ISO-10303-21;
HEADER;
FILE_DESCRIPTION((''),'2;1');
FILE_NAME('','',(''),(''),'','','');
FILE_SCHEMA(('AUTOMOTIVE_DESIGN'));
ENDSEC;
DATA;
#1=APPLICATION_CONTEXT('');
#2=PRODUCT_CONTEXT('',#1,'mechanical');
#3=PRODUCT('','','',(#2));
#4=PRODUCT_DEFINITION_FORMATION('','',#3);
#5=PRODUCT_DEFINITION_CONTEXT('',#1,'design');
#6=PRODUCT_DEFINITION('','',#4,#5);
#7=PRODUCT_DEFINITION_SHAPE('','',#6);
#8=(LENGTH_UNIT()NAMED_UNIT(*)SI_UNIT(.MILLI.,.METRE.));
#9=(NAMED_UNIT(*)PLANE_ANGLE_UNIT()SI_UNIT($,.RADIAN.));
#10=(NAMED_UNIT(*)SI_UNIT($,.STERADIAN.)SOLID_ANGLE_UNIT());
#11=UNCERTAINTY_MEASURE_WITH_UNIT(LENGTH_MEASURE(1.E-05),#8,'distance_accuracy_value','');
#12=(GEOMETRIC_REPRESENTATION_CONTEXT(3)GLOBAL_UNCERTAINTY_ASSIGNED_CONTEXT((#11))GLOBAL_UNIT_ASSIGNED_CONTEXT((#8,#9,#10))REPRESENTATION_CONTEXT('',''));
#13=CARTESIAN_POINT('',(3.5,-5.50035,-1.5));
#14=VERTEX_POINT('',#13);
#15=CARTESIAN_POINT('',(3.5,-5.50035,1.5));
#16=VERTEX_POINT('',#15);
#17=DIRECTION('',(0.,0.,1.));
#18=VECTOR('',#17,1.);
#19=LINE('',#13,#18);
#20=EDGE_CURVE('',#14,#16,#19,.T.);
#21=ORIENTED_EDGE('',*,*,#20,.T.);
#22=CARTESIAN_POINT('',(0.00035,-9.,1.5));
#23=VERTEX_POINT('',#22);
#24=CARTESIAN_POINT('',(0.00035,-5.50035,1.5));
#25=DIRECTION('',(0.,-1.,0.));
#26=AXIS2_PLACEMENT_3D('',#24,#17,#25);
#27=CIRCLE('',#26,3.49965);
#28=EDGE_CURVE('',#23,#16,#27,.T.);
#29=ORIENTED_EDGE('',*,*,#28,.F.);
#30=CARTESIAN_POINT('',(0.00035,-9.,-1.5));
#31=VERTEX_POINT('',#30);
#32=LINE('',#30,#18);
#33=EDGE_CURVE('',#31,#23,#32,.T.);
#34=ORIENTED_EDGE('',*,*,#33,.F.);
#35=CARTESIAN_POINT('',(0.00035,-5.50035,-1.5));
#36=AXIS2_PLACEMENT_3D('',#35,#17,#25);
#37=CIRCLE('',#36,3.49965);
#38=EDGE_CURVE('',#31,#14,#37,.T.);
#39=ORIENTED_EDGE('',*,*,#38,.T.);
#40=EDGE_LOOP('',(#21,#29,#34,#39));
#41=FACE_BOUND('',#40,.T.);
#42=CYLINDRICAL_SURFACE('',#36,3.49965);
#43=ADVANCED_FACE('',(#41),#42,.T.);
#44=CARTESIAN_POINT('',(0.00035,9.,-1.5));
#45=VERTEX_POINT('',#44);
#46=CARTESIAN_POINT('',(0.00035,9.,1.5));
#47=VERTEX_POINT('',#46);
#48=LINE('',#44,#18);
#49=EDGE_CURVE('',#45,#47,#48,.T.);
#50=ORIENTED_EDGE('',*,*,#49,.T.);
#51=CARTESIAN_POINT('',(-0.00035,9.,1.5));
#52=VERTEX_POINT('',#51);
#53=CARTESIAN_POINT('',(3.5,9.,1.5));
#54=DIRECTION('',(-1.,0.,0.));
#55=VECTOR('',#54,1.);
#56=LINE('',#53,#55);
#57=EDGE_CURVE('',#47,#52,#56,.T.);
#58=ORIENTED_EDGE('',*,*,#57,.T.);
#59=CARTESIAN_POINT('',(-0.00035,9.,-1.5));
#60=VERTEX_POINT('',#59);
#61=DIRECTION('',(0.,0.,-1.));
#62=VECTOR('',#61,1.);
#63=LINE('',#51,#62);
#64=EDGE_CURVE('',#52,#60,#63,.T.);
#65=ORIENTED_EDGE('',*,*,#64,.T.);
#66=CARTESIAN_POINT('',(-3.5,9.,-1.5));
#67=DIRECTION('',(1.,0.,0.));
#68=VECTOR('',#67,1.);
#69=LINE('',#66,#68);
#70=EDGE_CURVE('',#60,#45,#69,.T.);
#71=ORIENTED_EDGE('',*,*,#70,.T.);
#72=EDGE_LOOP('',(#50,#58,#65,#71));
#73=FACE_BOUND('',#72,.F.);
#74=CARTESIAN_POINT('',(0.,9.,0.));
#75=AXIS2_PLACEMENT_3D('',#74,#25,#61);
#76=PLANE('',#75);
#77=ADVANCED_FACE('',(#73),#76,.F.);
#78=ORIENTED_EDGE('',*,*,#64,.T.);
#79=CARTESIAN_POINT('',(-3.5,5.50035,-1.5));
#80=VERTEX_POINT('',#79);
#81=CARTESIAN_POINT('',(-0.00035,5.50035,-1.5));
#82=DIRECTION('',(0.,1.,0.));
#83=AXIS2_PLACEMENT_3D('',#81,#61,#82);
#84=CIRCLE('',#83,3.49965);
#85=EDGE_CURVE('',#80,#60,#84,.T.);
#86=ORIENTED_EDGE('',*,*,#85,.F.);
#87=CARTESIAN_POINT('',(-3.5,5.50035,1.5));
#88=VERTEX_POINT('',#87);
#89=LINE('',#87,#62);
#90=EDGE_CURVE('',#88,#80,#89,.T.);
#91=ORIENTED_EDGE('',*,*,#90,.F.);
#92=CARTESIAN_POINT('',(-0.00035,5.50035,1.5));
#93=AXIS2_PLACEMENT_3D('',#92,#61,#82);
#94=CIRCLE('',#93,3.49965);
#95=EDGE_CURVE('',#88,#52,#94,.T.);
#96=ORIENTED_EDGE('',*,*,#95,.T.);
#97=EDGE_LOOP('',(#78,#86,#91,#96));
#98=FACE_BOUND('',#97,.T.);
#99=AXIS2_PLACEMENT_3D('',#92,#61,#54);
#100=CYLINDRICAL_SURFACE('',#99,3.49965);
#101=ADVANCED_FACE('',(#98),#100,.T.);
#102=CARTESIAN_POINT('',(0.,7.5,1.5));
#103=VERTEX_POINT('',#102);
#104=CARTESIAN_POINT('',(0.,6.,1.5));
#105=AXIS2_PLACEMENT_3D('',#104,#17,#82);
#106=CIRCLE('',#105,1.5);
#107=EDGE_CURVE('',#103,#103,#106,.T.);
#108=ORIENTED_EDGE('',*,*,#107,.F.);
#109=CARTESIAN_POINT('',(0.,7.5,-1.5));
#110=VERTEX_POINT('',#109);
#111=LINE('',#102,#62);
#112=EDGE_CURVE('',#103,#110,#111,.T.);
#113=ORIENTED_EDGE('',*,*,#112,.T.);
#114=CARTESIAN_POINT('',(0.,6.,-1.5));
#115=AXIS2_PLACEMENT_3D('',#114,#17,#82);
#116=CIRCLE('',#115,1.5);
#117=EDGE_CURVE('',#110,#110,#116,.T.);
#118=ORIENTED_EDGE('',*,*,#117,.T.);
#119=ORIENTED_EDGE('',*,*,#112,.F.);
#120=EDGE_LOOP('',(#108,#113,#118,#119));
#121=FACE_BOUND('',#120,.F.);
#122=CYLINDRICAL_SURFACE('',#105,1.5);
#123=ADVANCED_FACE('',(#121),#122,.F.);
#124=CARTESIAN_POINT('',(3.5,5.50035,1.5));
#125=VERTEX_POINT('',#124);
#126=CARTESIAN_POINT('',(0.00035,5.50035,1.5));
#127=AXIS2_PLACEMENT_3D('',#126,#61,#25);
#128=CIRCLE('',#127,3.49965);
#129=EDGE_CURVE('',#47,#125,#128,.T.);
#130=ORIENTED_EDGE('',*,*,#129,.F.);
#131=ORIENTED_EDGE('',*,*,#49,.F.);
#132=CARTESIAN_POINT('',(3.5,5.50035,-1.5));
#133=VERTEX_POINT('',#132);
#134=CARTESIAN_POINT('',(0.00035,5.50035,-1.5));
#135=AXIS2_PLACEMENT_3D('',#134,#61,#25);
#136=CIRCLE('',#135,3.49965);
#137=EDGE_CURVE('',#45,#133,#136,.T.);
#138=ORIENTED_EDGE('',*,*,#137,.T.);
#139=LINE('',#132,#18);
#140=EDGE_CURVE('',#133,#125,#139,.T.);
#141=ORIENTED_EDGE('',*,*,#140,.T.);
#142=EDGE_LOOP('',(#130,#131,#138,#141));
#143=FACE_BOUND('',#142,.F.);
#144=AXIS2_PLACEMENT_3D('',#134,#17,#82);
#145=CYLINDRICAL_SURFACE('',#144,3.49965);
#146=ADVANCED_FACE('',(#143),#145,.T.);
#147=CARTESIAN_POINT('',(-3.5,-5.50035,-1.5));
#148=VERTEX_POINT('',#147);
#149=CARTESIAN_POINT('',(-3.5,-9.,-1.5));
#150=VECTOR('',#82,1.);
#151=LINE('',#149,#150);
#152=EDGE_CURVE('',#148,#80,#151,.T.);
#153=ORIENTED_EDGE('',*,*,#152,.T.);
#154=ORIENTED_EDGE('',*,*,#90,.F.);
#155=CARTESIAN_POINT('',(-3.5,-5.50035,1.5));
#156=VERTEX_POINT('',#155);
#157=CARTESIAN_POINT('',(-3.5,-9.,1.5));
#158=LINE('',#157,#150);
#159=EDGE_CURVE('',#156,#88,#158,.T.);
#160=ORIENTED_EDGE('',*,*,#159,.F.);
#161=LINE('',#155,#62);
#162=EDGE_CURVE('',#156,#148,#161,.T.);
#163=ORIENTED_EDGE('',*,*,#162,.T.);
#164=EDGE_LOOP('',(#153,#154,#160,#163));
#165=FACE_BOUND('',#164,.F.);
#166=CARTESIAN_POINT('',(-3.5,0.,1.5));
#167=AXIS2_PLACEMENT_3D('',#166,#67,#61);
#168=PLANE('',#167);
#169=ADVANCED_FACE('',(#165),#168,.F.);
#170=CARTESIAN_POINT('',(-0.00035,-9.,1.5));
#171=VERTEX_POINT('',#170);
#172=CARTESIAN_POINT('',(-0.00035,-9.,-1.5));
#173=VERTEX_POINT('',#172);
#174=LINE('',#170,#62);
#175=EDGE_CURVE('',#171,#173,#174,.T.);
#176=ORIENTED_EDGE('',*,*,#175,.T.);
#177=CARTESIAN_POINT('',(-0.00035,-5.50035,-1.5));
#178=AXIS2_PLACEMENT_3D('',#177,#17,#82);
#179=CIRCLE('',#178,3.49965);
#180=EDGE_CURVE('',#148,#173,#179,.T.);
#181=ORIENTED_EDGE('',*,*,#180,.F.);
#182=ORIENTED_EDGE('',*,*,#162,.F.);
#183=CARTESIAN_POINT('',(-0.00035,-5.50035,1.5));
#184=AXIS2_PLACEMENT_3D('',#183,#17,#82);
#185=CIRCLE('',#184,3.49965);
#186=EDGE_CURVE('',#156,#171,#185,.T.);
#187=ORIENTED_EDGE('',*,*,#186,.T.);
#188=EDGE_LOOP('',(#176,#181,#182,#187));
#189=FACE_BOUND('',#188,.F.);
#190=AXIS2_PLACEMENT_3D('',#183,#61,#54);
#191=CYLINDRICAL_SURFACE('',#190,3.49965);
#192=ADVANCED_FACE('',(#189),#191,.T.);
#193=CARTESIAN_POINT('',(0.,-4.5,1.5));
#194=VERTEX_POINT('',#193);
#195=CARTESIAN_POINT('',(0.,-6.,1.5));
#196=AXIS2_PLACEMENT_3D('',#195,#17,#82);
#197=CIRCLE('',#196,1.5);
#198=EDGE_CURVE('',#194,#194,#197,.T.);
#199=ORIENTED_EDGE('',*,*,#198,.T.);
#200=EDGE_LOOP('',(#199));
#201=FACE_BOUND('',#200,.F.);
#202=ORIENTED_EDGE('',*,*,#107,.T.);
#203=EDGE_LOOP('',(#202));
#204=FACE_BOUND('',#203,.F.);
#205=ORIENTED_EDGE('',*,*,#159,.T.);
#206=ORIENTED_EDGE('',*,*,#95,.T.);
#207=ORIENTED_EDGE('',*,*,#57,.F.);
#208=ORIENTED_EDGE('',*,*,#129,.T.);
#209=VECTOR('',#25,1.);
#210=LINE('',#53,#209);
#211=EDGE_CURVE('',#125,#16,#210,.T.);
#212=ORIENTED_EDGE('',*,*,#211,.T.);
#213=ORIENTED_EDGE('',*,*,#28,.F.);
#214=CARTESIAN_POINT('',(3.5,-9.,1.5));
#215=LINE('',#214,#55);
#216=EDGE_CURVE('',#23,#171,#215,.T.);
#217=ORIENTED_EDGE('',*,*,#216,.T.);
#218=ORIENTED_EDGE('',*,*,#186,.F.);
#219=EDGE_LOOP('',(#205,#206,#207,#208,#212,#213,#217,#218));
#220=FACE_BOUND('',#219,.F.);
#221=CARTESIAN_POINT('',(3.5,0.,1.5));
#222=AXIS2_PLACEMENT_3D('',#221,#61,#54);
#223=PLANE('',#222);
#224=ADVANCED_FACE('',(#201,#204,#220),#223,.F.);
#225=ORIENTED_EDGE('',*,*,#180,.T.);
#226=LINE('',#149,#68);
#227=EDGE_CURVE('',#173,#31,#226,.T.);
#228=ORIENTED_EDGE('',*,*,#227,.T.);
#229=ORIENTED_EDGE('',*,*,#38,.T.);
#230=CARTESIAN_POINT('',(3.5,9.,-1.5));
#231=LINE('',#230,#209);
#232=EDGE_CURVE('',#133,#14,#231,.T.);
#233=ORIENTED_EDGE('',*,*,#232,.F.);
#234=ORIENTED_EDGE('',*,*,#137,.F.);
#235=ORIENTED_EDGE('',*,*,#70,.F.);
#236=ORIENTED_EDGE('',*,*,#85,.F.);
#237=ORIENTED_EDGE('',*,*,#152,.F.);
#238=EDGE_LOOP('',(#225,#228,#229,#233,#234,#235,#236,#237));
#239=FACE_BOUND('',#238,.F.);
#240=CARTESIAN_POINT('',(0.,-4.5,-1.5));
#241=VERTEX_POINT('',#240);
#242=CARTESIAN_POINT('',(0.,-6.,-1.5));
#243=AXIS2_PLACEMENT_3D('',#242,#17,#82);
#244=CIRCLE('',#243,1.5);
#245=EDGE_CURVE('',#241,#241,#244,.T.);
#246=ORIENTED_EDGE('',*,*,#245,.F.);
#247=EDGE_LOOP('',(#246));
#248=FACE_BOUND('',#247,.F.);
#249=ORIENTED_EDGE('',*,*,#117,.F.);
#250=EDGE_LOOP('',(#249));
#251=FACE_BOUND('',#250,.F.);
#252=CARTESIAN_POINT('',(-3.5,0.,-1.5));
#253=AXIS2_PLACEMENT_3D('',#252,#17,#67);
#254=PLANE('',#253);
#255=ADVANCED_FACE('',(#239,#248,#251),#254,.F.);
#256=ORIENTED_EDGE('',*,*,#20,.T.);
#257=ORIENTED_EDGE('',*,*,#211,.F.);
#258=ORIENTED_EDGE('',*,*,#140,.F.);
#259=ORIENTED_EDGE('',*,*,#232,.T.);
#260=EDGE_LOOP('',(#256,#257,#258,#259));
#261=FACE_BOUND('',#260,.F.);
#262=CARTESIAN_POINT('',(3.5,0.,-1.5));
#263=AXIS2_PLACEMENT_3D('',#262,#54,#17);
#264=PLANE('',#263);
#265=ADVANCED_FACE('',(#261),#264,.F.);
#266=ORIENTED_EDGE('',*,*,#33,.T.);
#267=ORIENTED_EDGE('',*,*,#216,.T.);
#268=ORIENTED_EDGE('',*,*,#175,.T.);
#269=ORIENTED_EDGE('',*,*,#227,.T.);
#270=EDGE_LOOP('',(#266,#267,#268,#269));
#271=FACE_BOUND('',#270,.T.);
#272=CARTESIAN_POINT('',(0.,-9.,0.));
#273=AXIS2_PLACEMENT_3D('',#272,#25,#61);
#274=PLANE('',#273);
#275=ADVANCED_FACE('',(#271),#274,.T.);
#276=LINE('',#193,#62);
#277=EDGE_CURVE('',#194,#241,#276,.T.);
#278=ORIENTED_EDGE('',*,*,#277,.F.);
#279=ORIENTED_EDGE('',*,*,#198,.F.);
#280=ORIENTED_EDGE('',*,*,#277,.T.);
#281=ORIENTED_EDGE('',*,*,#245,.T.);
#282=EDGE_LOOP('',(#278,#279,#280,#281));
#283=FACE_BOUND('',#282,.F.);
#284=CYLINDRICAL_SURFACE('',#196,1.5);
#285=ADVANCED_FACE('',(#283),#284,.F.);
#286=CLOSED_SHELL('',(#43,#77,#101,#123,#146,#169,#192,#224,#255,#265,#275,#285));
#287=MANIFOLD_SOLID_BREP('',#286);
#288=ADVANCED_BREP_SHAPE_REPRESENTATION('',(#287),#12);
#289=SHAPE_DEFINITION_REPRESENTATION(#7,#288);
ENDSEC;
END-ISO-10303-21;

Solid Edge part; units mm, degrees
sketch "Sketch1" plane through (0, 0, 0) normal (0, -1, 0) x (1, 0, 0)
  line L0 (-3.5, -1.5) -> (3.5, -1.5)
  line L1 (3.5, -1.5) -> (3.5, 1.5)
  line L2 (3.5, 1.5) -> (-3.5, 1.5)
  line L3 (-3.5, 1.5) -> (-3.5, -1.5)
  dimension "D1" = 7
  dimension "D2" = 3
extrude "Protrusion1" add sketch "Sketch1" along normal mid plane 18
sketch "Sketch2" plane through (0, 0, 1.5) normal (0, 0, 1) x (0, 1, 0)
  circle A0 centre (6, 0) radius 1.5
  circle A1 centre (-6, 0) radius 1.5
  dimension "D1" = 12
extrude "Cutout1" cut sketch "Sketch2" against normal blind 6.4951
fillet "Round_3" radius 3.5 4 edges at (-3.5, -9, 0) (3.5, -9, 0) (3.5, 9, 0) (-3.5, 9, 0)
properties material "Aluminum, 6061-T6"
